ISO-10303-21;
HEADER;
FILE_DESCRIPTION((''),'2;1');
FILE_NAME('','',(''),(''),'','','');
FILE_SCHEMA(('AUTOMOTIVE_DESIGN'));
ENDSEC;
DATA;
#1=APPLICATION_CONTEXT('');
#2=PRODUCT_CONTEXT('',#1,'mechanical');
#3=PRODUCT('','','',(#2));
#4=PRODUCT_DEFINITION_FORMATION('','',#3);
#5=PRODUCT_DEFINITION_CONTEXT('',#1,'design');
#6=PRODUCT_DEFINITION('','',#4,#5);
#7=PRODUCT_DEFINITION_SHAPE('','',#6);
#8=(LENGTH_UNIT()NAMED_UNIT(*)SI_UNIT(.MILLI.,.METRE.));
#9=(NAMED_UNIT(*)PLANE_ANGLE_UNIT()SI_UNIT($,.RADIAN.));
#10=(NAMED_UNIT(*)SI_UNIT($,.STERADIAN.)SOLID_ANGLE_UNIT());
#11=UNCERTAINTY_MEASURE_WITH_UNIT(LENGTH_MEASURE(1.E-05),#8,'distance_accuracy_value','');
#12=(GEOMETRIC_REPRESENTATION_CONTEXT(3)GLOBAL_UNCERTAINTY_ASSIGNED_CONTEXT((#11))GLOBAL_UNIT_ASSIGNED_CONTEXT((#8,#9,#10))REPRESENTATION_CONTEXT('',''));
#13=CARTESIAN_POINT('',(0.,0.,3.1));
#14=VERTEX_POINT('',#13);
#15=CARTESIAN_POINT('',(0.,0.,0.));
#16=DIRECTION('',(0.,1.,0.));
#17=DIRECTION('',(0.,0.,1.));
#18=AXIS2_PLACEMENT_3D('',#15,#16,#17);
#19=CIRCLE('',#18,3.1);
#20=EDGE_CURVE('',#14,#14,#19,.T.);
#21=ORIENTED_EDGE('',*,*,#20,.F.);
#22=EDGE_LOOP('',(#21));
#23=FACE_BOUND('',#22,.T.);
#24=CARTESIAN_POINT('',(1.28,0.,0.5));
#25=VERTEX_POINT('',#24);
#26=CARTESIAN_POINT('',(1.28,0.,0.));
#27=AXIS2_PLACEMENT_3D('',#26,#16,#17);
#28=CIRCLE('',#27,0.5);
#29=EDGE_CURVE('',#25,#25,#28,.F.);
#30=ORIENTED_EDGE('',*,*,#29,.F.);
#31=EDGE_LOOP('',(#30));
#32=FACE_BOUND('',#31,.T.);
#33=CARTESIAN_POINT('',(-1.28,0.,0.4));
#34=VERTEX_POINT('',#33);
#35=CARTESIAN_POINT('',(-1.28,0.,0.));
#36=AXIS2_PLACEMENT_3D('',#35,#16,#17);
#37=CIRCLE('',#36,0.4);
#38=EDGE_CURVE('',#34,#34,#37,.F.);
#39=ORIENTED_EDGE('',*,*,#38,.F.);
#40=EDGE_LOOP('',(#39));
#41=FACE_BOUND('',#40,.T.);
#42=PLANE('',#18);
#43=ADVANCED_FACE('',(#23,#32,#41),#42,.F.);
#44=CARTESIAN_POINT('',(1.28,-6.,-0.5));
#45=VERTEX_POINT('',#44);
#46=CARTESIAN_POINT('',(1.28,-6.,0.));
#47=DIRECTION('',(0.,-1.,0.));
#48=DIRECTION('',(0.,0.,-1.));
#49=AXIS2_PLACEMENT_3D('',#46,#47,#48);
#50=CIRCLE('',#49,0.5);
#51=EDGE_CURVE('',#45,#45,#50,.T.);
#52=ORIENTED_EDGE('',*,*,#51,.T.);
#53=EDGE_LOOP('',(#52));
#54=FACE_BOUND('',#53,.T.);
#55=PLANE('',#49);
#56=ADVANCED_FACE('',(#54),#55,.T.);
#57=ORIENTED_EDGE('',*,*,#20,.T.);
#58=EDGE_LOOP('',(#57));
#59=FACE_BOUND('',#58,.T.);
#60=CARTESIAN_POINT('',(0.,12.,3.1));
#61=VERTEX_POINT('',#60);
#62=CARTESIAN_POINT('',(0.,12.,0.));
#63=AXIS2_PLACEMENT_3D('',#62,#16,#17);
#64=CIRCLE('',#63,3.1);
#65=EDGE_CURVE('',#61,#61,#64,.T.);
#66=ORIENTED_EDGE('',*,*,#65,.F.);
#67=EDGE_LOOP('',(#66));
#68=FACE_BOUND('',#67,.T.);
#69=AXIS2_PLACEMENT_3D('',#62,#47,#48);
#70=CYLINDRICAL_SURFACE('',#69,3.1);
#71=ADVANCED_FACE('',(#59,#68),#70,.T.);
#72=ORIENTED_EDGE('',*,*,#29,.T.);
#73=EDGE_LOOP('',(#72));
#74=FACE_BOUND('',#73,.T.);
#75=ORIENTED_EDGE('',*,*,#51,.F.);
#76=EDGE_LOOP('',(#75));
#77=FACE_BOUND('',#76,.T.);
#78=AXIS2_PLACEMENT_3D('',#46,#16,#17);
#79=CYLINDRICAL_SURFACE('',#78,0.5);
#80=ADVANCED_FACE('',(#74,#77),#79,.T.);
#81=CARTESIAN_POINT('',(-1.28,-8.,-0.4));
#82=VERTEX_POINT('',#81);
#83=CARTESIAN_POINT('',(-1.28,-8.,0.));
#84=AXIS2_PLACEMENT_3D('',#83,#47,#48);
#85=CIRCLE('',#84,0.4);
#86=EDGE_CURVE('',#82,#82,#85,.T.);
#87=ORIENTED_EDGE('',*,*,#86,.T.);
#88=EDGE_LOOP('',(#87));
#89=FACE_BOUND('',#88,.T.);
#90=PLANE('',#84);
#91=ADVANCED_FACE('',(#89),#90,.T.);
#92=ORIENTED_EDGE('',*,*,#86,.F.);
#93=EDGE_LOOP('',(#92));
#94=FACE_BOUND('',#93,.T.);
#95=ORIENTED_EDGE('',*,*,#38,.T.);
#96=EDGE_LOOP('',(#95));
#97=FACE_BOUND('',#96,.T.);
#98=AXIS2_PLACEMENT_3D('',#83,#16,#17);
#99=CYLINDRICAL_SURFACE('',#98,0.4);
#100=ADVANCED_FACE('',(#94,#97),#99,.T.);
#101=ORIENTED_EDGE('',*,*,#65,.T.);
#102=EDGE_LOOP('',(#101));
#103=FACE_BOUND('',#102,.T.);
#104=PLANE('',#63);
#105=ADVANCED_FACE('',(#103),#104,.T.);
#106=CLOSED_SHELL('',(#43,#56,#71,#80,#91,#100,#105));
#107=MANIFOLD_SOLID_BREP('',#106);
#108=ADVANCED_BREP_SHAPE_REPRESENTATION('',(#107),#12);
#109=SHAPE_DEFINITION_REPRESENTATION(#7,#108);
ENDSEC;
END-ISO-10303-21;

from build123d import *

# Parameters (mm, degrees)
SKETCH_1_R      = 3.1
EXTRUDE_1_DEPTH = 12
SKETCH_2_R      = 0.4
EXTRUDE_2_DEPTH = 8
SKETCH_3_R      = 0.5
EXTRUDE_3_DEPTH = 6


with BuildPart() as part:
    # 草图1 → 拉伸1 (new body)
    with BuildSketch(Plane(origin=(0, 0, 0), x_dir=(1, 0, 0), z_dir=(0, 1, 0))):
        with Locations(Location((0, 0, 0), (0, 0, 270))):
            Circle(SKETCH_1_R)
    extrude(amount=EXTRUDE_1_DEPTH)

    # 草图2 → 拉伸2 (add)
    with BuildSketch(Plane.XZ):
        with Locations(Location((-1.28, 0, 0), (0, 0, 90))):
            Circle(SKETCH_2_R)
    extrude(amount=EXTRUDE_2_DEPTH)

    # 草图3 → 拉伸3 (add)
    with BuildSketch(Plane.XZ):
        with Locations(Location((1.28, 0, 0), (0, 0, 90))):
            Circle(SKETCH_3_R)
    extrude(amount=EXTRUDE_3_DEPTH)


solid = part.part
